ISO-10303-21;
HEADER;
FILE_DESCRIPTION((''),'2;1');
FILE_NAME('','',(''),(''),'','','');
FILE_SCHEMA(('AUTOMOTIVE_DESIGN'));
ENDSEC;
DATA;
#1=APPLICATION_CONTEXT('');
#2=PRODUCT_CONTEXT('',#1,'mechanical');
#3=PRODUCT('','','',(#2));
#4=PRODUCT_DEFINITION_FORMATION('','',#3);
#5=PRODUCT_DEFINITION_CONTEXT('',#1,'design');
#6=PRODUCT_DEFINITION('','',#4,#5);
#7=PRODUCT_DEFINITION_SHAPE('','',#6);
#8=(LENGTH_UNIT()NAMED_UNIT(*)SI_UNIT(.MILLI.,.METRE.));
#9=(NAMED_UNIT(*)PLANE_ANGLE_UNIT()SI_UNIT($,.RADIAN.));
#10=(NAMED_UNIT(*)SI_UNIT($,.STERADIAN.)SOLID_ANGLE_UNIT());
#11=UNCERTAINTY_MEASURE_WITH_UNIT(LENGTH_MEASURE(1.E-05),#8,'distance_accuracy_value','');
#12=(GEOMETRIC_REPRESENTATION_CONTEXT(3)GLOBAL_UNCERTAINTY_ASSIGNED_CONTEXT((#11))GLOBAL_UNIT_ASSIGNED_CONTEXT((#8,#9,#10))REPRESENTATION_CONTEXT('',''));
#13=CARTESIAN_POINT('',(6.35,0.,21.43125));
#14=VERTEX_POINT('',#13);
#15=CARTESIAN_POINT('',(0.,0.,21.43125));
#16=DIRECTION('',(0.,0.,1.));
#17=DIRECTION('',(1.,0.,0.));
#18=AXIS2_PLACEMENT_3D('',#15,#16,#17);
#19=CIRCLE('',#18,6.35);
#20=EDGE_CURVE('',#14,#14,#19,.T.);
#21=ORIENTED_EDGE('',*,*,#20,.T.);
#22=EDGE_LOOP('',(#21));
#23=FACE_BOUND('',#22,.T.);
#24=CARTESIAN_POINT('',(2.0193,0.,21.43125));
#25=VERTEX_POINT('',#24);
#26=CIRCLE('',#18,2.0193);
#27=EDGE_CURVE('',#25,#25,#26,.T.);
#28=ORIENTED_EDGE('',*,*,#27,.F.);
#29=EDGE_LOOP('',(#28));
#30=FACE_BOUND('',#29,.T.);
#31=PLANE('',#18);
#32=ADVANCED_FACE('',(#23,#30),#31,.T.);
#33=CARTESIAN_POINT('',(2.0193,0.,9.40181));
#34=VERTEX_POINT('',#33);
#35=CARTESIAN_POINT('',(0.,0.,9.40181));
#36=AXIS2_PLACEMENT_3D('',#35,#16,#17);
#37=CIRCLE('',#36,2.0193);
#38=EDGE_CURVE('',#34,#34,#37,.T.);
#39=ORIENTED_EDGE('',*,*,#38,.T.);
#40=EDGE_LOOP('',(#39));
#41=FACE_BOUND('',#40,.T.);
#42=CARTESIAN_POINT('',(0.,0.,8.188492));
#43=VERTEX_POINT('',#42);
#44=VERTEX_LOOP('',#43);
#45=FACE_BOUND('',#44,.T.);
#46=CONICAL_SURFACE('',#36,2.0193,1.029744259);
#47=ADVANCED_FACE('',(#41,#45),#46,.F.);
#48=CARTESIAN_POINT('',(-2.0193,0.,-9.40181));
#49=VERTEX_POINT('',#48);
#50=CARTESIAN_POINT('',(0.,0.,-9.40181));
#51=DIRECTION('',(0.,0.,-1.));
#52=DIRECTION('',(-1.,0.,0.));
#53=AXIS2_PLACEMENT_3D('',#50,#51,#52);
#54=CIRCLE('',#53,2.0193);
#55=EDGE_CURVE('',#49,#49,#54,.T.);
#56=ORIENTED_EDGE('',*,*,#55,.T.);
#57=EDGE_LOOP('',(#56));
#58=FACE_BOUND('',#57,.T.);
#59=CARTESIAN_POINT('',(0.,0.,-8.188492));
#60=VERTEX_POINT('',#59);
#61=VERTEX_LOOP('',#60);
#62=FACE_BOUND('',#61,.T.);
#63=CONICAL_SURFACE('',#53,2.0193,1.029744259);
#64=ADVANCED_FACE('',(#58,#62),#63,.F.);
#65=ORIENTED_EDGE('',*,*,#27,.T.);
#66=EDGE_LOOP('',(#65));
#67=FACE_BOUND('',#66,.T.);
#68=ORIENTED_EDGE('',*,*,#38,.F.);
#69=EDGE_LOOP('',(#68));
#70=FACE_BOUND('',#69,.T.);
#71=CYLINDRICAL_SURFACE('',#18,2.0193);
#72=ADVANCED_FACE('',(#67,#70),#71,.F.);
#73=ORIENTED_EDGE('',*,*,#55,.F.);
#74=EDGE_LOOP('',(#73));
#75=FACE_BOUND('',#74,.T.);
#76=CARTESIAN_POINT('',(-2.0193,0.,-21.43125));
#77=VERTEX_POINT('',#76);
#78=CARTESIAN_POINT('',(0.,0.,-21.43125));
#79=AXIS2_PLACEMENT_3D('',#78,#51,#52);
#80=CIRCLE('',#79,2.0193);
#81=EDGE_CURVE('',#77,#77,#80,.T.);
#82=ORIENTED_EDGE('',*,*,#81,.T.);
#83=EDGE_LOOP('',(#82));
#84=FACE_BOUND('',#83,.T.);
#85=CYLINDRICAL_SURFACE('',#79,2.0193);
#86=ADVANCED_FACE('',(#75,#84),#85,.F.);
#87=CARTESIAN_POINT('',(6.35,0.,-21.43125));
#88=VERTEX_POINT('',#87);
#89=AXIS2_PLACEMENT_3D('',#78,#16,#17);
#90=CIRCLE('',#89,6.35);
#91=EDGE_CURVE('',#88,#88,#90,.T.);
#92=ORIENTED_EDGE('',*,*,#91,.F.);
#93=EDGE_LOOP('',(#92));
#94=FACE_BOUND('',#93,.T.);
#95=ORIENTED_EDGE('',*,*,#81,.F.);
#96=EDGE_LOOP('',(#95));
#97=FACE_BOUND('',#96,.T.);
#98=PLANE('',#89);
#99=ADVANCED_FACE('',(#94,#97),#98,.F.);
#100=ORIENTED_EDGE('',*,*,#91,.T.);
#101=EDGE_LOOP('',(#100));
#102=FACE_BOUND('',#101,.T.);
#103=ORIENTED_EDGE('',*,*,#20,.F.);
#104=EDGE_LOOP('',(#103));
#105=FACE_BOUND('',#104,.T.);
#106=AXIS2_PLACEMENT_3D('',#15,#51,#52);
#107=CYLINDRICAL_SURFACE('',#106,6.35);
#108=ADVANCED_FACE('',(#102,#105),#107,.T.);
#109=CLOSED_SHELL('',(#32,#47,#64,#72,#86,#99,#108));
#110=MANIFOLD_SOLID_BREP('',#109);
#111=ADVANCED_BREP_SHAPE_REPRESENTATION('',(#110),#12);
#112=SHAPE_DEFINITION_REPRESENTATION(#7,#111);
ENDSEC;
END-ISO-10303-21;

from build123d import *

# Parameters (mm, degrees)
SKETCH1_R                            = 6.35
BOSS_EXTRUDE1_DEPTH                  = 21.43125
F_10_32_TAPPED_HOLE1_D               = 4.0386
F_10_32_TAPPED_HOLE1_DEPTH           = 12.02944
F_10_32_TAPPED_HOLE1_TIP             = 1.213317848
F_10_32_TAPPED_HOLE1_ON_FACE_2_D     = 4.0386
F_10_32_TAPPED_HOLE1_ON_FACE_2_DEPTH = 12.02944
F_10_32_TAPPED_HOLE1_ON_FACE_2_TIP   = 1.213317848


with BuildPart() as part:
    # Sketch1 → Boss-Extrude1 (new, symmetric)
    with BuildSketch(Plane.XY):
        Circle(SKETCH1_R)
    extrude(amount=BOSS_EXTRUDE1_DEPTH, both=True)

    # #10-32 Tapped Hole1
    with Locations(Plane.XY.offset(21.43125)):
        with Locations((0, 0)):
            Hole(F_10_32_TAPPED_HOLE1_D / 2, depth=F_10_32_TAPPED_HOLE1_DEPTH)
            with Locations((0, 0, -(F_10_32_TAPPED_HOLE1_DEPTH + F_10_32_TAPPED_HOLE1_TIP / 2))):  # 118° drill point
                Cone(0, F_10_32_TAPPED_HOLE1_D / 2, F_10_32_TAPPED_HOLE1_TIP, mode=Mode.SUBTRACT)

    # #10-32 Tapped Hole1 on face 2
    with Locations(Plane(origin=(0, 0, -21.43125), x_dir=(-1, 0, 0), z_dir=(0, 0, -1))):
        with Locations((0, 0)):
            Hole(F_10_32_TAPPED_HOLE1_ON_FACE_2_D / 2, depth=F_10_32_TAPPED_HOLE1_ON_FACE_2_DEPTH)
            with Locations((0, 0, -(F_10_32_TAPPED_HOLE1_ON_FACE_2_DEPTH + F_10_32_TAPPED_HOLE1_ON_FACE_2_TIP / 2))):  # 118° drill point
                Cone(0, F_10_32_TAPPED_HOLE1_ON_FACE_2_D / 2, F_10_32_TAPPED_HOLE1_ON_FACE_2_TIP, mode=Mode.SUBTRACT)


solid = part.part
